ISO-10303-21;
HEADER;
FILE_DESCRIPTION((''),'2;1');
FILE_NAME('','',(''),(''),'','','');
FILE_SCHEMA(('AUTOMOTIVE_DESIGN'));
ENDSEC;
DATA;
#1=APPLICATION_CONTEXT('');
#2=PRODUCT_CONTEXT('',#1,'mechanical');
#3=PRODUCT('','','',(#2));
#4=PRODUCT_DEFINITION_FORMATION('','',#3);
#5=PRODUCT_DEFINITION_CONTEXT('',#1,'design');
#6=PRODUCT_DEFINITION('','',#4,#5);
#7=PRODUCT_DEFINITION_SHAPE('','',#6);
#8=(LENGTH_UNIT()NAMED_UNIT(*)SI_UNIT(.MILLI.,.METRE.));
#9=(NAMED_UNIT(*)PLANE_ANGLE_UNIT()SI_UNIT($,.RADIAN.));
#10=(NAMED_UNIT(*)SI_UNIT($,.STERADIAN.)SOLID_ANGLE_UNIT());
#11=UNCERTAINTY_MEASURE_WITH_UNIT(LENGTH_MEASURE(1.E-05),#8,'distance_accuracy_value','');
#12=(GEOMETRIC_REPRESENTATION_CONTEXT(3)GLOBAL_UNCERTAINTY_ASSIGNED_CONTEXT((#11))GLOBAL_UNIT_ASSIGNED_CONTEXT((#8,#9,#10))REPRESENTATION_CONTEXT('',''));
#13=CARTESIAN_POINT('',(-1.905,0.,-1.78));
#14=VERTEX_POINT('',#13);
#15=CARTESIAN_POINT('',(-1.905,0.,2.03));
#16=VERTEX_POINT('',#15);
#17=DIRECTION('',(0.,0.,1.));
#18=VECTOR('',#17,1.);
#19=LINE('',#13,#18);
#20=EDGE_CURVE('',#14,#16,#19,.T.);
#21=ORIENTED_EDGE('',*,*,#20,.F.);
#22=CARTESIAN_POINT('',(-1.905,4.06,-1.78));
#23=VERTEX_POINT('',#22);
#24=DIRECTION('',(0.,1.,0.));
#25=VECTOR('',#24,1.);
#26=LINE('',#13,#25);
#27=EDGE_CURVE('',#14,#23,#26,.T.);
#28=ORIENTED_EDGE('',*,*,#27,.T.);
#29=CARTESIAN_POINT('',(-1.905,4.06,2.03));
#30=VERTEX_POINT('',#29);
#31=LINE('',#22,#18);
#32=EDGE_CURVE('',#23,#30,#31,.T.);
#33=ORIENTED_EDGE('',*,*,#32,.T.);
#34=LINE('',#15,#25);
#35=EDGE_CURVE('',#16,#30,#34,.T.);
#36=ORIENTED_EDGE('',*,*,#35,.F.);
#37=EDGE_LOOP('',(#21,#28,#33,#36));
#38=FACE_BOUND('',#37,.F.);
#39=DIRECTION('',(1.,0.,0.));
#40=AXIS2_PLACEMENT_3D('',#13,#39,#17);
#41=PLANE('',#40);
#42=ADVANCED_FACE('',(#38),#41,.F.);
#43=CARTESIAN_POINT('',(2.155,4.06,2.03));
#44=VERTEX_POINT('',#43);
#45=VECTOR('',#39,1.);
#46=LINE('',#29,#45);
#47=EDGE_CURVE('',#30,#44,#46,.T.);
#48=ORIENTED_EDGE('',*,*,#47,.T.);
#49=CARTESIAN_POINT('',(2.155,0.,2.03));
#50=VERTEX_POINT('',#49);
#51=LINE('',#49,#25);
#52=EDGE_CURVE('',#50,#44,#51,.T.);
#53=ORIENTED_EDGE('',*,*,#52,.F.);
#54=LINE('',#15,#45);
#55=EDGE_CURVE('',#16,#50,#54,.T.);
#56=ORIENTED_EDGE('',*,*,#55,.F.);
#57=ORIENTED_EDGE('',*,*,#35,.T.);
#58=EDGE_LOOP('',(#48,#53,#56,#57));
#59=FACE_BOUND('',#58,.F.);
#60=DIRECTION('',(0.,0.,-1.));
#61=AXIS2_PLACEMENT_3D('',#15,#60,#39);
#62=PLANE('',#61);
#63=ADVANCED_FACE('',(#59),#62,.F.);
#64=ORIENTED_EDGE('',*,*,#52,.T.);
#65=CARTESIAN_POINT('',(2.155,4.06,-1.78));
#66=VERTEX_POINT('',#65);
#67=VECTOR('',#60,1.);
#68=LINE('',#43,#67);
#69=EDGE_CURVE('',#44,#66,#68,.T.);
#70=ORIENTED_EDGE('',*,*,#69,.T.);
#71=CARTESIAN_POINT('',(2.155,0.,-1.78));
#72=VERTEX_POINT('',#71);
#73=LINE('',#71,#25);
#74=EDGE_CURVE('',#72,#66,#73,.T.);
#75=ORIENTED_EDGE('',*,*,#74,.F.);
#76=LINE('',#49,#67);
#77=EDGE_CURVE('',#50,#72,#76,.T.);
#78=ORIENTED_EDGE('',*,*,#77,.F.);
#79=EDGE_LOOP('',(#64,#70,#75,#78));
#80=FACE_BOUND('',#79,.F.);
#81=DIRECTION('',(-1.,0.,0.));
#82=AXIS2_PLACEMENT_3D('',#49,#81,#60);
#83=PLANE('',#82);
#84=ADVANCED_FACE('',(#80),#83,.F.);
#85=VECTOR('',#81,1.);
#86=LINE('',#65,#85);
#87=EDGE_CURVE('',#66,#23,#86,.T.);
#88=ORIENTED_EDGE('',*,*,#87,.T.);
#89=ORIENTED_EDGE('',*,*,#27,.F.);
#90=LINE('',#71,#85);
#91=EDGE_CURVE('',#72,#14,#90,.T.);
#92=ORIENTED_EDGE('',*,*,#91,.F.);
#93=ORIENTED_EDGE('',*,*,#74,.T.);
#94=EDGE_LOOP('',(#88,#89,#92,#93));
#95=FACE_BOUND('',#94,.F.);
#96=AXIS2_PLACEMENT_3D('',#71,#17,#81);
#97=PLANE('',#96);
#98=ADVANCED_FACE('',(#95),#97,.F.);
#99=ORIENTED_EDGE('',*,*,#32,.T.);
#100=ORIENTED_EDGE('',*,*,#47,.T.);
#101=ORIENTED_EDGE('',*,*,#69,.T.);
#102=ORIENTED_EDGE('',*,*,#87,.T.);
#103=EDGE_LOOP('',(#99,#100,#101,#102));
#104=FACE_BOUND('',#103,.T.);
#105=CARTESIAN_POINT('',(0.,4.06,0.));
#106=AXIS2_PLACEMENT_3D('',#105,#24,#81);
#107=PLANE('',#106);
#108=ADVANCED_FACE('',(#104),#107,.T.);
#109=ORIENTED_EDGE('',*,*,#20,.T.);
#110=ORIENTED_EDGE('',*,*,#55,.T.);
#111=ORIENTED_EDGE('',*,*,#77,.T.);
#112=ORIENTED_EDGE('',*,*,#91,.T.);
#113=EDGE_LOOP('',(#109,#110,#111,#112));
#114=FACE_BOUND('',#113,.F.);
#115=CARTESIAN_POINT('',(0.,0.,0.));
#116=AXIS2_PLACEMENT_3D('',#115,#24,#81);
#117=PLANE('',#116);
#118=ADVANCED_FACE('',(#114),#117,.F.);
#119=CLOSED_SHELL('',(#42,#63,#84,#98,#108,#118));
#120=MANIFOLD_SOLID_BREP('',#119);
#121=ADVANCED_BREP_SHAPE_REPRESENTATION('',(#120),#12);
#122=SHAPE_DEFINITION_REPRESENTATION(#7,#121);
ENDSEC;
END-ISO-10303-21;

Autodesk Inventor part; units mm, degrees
ref_plane "YZ Plane" through (0, 0, 0) normal (1, 0, 0) x (0, 1, 0)
ref_plane "XZ Plane" through (0, 0, 0) normal (0, 1, 0) x (-1, 0, 0)
ref_plane "XY Plane" through (0, 0, 0) normal (0, 0, 1) x (1, 0, 0)
sketch "Sketch1" plane through (0, 0, 0) normal (0, 1, 0) x (-1, 0, 0)
  line L0 (1.905, 2.03) -> (-2.155, 2.03)
  line L1 (-2.155, 2.03) -> (-2.155, -1.78)
  line L2 (-2.155, -1.78) -> (1.905, -1.78)
  line L3 (1.905, -1.78) -> (1.905, 2.03)
  point P0 (0, 0)
  dimension "d0" = 4.06
  dimension "d1" = 3.81
  dimension "d2" = 1.905
  dimension "d3" = 2.03
extrude "Extrusion1" add sketch "Sketch1" along normal blind 4.06
properties part number "MC_DB1627"
